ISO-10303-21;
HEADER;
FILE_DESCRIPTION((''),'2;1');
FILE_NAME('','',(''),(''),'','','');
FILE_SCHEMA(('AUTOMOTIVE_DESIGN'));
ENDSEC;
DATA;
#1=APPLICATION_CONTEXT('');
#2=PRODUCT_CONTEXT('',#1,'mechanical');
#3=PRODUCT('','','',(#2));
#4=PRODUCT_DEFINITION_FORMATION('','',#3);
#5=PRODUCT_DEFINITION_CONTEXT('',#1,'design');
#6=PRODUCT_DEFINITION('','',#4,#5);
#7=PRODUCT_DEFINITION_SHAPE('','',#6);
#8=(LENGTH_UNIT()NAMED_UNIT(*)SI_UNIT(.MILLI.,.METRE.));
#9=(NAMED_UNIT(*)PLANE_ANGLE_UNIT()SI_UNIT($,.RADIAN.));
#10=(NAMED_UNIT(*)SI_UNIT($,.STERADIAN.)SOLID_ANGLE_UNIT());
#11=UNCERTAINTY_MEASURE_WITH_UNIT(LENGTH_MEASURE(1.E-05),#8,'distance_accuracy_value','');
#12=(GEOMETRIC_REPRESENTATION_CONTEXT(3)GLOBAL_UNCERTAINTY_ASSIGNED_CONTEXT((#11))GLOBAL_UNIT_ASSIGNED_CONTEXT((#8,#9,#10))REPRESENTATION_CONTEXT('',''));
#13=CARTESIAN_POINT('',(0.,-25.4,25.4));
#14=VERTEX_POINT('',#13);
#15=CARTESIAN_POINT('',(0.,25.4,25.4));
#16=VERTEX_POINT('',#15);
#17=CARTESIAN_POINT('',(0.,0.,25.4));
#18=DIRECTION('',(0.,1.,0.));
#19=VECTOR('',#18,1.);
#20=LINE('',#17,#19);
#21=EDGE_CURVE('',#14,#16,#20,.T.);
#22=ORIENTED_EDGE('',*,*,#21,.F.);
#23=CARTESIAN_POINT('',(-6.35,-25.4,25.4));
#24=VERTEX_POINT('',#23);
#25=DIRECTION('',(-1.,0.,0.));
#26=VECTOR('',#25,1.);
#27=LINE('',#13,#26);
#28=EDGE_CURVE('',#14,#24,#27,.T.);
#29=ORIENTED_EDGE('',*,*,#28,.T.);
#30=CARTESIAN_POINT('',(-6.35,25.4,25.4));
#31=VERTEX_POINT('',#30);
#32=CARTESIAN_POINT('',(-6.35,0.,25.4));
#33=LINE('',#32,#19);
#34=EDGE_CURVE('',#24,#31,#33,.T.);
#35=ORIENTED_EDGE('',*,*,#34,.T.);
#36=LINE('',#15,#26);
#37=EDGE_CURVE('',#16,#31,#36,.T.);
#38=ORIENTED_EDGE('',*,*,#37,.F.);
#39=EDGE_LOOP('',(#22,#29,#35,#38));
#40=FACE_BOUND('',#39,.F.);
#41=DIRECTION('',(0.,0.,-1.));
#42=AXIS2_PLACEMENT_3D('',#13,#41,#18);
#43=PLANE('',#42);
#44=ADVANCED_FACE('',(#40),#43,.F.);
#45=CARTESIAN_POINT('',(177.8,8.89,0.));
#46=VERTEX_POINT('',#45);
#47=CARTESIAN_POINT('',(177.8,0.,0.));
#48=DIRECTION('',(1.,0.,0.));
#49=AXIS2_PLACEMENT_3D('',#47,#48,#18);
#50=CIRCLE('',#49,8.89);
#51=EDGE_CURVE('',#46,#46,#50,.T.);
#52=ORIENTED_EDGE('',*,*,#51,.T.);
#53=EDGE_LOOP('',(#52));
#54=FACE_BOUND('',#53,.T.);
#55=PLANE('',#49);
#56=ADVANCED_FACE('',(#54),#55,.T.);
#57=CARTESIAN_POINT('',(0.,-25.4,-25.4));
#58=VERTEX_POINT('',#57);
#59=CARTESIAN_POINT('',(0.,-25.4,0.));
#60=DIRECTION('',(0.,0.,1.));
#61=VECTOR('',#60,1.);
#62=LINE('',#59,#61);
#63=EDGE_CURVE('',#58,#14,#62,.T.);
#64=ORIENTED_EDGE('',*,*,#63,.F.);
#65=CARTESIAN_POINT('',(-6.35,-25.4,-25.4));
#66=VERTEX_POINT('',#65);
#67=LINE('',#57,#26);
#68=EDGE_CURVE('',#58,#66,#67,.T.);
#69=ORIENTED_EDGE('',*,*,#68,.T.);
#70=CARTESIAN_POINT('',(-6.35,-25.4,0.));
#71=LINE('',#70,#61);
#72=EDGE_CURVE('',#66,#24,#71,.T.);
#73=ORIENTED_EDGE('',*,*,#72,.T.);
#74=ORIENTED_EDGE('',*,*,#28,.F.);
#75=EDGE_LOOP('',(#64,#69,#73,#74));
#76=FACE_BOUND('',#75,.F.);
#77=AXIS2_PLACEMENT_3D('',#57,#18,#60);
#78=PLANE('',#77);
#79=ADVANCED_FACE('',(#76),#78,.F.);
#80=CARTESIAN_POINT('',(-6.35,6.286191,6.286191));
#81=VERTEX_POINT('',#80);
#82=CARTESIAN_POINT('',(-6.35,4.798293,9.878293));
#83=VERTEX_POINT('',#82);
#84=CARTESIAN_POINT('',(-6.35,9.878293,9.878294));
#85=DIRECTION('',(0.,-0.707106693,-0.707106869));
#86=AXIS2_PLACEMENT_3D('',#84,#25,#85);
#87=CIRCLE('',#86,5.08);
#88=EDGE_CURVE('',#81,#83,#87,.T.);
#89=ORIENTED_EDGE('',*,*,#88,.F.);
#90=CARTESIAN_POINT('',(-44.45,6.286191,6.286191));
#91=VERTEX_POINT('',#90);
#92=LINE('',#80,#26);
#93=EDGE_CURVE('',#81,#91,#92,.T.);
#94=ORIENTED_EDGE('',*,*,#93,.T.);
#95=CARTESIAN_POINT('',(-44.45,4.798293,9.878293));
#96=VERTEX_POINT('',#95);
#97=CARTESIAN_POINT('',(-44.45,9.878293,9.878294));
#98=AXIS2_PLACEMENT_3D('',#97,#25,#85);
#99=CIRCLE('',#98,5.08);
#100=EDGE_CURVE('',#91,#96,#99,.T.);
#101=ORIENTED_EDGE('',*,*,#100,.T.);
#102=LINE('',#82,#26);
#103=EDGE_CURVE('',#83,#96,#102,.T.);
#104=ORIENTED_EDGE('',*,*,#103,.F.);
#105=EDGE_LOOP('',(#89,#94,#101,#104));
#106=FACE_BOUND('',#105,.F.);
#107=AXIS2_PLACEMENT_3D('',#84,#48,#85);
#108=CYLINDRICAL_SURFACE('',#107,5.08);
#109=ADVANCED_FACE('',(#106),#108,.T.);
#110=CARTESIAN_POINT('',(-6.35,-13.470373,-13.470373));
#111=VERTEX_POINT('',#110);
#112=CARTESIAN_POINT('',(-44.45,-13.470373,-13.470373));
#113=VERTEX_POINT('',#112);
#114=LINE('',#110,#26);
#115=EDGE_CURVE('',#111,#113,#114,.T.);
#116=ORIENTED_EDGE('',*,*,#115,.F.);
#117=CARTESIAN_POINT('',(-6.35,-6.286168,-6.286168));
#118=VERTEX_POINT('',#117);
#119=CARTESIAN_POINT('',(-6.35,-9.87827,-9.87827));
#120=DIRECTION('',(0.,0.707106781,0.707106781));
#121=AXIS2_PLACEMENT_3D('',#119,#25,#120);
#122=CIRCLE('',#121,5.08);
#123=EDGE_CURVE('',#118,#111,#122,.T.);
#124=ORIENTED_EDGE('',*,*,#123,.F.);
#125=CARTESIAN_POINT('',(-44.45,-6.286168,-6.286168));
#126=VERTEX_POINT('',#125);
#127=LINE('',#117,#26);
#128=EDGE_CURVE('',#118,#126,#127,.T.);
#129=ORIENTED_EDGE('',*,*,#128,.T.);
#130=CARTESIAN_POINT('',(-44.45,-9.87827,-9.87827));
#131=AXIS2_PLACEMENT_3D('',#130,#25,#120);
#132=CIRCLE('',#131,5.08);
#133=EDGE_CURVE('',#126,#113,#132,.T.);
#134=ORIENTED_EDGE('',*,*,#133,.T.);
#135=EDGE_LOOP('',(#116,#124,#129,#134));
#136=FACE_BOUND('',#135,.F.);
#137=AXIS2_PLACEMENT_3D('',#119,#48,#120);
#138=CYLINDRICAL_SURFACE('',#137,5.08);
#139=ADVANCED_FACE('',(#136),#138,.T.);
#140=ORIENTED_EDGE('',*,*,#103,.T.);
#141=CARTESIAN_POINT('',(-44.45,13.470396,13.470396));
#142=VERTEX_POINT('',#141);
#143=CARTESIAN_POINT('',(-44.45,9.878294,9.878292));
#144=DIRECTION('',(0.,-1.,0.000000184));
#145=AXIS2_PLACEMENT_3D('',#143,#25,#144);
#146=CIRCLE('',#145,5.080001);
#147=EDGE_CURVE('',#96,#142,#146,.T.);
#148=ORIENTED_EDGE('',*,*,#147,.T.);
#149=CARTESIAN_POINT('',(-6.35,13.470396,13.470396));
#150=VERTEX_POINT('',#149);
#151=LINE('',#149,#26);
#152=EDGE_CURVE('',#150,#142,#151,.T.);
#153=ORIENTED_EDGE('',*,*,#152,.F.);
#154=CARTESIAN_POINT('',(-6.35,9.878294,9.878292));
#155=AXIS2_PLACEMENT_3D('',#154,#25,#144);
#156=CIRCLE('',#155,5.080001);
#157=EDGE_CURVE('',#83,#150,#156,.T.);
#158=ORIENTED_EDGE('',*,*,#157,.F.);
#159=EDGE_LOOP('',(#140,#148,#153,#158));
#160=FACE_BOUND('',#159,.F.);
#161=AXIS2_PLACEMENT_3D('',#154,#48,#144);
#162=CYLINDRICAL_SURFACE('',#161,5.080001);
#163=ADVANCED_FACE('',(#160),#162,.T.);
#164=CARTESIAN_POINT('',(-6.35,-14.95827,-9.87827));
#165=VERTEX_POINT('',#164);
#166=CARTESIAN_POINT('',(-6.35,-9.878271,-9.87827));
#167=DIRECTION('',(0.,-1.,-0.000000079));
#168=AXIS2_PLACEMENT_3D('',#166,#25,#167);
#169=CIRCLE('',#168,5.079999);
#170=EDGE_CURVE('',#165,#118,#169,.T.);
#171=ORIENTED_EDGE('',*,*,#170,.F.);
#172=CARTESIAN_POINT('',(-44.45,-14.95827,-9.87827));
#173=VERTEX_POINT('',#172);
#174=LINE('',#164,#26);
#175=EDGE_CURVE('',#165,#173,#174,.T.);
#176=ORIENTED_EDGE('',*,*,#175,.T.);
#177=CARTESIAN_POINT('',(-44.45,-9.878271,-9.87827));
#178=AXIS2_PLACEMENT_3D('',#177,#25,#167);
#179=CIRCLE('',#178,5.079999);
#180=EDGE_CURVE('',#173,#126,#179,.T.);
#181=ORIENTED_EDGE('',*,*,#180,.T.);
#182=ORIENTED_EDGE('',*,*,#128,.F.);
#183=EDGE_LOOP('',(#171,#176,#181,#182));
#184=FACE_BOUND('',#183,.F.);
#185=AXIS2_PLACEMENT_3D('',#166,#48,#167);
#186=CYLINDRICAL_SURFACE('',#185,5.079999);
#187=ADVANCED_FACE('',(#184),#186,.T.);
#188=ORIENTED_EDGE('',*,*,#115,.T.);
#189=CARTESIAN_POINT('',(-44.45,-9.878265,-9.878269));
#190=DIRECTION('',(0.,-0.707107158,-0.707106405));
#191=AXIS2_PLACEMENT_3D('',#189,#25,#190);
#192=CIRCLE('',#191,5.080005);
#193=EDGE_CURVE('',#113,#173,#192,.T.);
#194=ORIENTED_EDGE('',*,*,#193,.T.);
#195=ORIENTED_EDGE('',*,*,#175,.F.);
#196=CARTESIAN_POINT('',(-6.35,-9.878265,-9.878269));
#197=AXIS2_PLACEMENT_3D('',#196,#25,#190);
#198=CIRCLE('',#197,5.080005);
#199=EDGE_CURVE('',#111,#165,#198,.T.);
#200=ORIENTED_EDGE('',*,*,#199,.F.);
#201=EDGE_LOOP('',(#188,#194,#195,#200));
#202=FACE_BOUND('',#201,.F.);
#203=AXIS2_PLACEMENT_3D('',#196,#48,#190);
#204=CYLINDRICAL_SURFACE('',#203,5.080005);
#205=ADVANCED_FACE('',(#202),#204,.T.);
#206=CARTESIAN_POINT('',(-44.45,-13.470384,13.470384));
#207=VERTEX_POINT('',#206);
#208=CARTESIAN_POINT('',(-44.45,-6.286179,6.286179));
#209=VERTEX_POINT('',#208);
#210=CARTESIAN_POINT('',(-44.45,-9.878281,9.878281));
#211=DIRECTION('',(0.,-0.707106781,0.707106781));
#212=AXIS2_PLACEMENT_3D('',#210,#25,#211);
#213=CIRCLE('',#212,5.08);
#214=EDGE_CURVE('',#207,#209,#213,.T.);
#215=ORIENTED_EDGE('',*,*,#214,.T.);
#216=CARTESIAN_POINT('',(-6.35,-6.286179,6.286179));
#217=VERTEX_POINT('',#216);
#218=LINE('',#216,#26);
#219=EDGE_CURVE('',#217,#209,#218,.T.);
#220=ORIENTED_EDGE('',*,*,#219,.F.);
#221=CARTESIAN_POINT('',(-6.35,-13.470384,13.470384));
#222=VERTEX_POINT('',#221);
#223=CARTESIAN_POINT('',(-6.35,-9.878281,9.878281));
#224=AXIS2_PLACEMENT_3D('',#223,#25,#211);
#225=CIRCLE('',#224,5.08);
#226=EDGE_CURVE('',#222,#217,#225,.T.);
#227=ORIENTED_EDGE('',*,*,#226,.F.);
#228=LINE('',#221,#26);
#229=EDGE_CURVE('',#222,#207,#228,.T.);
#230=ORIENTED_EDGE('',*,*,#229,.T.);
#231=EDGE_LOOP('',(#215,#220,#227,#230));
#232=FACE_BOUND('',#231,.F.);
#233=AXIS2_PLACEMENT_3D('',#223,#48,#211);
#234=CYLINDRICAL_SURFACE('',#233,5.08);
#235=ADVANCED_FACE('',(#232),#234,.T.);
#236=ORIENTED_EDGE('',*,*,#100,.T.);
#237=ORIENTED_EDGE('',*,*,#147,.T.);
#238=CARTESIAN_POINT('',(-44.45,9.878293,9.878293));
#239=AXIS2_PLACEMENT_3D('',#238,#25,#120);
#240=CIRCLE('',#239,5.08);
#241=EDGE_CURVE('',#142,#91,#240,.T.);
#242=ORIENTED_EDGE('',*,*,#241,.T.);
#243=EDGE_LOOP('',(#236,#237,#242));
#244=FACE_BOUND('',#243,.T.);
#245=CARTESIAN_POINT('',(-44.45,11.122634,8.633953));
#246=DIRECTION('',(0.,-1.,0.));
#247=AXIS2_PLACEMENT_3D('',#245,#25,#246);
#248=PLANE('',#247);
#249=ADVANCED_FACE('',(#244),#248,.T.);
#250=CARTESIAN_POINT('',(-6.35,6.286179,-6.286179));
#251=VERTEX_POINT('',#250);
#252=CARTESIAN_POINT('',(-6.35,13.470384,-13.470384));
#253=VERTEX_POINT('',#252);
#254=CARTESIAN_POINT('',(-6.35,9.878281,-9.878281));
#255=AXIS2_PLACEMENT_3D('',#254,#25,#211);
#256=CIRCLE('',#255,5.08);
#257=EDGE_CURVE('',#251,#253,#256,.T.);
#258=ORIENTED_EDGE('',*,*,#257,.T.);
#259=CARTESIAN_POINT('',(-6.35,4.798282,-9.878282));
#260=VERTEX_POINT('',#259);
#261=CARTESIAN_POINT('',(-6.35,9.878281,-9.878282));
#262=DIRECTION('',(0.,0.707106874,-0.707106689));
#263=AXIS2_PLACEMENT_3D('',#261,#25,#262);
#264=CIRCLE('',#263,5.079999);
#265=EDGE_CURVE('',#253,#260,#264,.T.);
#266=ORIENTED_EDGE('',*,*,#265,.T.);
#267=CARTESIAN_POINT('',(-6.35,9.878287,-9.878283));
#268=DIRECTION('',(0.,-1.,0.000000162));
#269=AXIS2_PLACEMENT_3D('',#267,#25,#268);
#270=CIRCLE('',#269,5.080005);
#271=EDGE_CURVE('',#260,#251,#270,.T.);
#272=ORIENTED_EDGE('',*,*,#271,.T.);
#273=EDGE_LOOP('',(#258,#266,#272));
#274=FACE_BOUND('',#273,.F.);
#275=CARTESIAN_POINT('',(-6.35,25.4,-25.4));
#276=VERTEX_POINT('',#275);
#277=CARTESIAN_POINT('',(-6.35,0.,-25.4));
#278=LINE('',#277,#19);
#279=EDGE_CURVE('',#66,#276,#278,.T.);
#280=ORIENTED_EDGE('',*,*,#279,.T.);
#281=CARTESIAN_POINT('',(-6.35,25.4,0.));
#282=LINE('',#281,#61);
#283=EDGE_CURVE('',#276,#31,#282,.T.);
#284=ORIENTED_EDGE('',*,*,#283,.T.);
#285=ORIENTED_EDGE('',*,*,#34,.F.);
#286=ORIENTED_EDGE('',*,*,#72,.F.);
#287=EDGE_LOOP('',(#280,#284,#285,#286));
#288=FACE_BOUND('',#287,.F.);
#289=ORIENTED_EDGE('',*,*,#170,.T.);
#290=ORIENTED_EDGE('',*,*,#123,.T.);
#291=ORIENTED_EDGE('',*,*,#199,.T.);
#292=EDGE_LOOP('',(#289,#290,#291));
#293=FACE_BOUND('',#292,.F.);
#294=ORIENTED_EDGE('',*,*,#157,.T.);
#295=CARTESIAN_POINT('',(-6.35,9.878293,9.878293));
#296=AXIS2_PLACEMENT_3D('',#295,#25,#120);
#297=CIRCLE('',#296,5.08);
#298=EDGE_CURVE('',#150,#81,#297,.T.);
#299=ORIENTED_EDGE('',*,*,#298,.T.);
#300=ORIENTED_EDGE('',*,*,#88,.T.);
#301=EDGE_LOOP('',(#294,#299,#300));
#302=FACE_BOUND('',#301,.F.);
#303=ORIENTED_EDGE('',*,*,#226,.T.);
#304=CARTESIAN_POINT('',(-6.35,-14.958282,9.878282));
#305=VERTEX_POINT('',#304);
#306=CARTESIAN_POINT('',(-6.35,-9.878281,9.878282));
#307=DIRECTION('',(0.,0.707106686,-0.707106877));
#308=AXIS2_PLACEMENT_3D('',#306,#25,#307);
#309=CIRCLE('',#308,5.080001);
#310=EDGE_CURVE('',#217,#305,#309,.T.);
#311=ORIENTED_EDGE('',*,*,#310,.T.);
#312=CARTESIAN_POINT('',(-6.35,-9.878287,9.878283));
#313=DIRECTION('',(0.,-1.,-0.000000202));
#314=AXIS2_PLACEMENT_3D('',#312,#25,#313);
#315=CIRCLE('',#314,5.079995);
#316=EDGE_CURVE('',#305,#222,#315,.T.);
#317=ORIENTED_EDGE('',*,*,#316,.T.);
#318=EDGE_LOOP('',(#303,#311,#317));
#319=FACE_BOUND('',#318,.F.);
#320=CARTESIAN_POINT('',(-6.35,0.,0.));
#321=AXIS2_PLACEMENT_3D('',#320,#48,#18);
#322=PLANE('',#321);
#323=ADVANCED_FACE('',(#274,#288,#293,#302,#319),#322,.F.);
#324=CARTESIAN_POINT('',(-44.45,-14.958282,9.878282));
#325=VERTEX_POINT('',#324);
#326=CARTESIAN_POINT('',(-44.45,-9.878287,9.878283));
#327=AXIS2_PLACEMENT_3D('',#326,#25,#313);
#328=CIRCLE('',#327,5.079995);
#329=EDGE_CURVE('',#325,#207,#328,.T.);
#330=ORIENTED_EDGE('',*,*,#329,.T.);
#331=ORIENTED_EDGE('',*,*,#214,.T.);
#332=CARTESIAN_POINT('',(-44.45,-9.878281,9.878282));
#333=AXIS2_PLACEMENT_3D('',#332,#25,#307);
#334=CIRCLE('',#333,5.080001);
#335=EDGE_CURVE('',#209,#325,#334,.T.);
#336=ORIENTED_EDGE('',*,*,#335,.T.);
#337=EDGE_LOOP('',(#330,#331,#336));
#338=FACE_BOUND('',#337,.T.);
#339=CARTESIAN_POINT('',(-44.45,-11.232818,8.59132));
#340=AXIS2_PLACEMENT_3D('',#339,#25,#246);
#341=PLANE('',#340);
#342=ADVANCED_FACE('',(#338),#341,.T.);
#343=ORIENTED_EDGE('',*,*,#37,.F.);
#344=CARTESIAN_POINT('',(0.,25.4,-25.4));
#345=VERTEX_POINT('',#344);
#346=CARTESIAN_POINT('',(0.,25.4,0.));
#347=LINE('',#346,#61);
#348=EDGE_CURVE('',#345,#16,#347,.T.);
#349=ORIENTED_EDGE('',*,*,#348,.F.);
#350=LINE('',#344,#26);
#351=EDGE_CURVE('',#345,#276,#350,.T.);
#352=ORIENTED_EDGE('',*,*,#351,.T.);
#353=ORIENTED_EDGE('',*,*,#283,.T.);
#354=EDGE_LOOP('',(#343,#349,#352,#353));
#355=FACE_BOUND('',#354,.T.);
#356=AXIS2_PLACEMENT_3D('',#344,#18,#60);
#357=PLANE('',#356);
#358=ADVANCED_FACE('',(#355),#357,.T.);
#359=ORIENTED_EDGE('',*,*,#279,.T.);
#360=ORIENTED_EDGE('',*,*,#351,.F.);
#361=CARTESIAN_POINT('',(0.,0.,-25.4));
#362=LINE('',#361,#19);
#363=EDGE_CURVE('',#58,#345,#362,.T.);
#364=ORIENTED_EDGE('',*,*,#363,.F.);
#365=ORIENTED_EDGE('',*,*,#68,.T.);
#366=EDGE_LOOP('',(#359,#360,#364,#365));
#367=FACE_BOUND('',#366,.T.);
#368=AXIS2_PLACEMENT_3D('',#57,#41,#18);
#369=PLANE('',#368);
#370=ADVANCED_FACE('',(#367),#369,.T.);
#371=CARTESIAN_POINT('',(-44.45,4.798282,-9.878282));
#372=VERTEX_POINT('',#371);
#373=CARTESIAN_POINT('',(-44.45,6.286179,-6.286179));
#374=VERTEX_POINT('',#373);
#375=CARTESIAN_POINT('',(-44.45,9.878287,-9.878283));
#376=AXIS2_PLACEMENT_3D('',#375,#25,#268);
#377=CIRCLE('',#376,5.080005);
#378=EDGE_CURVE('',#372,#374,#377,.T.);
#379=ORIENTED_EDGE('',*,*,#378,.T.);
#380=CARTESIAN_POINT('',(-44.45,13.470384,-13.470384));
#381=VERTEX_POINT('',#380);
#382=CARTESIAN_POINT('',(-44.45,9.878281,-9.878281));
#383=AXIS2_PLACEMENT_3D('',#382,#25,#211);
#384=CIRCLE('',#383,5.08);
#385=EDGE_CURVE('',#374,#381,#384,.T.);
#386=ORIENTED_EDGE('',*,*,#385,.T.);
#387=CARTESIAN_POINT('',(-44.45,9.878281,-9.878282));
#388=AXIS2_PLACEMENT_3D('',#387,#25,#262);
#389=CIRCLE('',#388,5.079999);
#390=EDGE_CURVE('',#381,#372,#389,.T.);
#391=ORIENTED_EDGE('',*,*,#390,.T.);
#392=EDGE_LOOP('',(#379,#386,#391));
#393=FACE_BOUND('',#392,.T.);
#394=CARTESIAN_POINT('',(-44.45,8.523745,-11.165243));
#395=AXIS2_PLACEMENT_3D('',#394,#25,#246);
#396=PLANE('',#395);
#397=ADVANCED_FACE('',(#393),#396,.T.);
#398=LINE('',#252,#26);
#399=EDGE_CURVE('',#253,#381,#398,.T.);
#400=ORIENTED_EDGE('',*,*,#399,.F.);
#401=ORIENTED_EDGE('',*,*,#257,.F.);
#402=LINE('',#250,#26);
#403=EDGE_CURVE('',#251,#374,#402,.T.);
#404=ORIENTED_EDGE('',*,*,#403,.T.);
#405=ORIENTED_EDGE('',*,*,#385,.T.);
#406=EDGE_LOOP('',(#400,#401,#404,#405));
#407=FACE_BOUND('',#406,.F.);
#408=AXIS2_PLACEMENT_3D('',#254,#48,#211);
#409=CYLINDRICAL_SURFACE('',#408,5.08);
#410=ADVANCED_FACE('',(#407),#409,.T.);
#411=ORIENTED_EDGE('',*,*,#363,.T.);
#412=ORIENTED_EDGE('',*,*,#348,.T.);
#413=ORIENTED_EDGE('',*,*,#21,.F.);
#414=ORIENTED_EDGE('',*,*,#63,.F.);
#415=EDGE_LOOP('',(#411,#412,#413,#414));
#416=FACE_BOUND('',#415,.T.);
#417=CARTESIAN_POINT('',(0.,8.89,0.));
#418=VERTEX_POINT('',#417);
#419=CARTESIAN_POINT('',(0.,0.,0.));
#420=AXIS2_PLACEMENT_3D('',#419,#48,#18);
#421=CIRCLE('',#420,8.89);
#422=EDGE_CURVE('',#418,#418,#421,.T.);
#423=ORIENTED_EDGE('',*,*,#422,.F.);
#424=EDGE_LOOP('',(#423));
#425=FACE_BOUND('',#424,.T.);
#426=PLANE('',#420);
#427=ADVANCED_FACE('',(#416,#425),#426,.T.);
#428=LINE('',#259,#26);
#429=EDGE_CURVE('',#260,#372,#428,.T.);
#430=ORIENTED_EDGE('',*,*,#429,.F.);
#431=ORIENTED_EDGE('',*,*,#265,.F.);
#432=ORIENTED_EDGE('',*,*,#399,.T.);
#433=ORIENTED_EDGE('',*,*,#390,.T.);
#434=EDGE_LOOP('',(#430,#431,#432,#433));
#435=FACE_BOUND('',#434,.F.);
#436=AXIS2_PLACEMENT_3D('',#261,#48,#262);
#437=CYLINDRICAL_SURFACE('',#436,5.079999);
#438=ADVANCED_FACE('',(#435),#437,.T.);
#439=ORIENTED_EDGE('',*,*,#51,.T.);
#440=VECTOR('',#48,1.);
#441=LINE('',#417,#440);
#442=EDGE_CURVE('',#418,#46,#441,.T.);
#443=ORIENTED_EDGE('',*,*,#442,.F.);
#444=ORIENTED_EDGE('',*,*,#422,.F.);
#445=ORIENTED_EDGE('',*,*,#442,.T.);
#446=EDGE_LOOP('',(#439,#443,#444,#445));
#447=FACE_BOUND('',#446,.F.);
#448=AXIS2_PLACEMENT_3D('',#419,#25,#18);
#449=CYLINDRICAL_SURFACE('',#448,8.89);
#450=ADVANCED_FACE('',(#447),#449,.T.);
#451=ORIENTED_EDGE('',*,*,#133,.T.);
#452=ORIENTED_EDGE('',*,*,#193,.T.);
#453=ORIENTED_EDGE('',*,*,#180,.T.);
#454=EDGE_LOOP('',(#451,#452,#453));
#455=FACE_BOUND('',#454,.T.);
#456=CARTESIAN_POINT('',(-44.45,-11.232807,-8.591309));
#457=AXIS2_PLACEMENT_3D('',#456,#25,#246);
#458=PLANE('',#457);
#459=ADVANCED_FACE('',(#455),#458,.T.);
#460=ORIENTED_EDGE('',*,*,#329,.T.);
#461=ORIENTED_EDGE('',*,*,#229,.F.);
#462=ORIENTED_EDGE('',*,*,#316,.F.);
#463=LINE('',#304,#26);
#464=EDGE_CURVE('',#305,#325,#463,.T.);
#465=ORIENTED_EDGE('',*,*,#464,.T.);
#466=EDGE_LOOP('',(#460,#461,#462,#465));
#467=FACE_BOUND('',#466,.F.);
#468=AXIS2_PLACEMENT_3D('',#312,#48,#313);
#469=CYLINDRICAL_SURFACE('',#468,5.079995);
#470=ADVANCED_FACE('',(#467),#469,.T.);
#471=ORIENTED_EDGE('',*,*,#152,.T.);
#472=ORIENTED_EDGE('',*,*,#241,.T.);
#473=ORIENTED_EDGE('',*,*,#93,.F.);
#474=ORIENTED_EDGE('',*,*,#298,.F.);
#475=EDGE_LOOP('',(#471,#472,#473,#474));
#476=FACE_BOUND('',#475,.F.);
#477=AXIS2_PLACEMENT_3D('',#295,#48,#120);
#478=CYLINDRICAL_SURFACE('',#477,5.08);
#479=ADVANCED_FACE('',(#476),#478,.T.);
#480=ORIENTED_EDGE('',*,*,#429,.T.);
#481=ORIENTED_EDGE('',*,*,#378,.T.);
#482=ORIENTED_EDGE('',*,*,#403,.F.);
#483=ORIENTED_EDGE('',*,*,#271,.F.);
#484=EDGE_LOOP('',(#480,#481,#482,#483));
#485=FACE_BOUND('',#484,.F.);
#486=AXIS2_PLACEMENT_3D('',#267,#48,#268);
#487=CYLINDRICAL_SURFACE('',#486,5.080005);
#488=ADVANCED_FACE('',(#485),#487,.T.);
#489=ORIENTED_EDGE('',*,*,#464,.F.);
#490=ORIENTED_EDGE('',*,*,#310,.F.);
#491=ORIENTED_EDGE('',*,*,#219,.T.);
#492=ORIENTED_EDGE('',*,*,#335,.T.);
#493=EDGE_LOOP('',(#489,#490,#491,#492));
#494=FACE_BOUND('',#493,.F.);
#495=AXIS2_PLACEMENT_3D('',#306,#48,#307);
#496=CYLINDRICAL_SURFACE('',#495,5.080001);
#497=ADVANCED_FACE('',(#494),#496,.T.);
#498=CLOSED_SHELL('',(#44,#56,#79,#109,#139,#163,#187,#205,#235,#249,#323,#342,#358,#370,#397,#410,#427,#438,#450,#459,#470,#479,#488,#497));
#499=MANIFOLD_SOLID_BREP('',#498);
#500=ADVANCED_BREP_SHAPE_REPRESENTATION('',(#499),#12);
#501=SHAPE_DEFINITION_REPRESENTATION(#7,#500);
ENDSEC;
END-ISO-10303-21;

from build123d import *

# Parameters (mm, degrees)
F0_R     = 8.89
F1_DEPTH = 177.8
F2_W     = 50.8
F2_H     = 50.8
F3_DEPTH = 6.35
F5_DEPTH = 38.1


with BuildPart() as f1:
    # F0 (on Right) → F1 (new body)
    with BuildSketch(Plane.YZ):
        Circle(F0_R)
    extrude(amount=F1_DEPTH)

    # F2 (on Right) → F3 (join)
    with BuildSketch(Plane.YZ):
        Rectangle(F2_W, F2_H)
    extrude(amount=-F3_DEPTH)

    # F4 (on face) → F5 (join)
    with BuildSketch(Plane(origin=(-6.35, 0, 0), x_dir=(0, -1, 0), z_dir=(-1, 0, 0))):
        with BuildLine():
            ThreePointArc((6.286179, 6.286179), (11.822314, 5.184974), (14.958282, 9.878282))
            ThreePointArc((14.958282, 9.878282), (14.57159, 11.822314), (13.470384, 13.470384))
            Line((13.470384, 13.470384), (6.286179, 6.286179))
        make_face()
        with BuildLine():
            ThreePointArc((14.95827, -9.87827), (11.822302, -5.184962), (6.286168, -6.286168))
            Line((6.286168, -6.286168), (13.470373, -13.470373))
            ThreePointArc((13.470373, -13.470373), (14.571578, -11.822302), (14.95827, -9.87827))
        make_face()
        with BuildLine():
            Line((13.470373, -13.470373), (6.286168, -6.286168))
            ThreePointArc((6.286168, -6.286168), (6.286168, -13.470373), (13.470373, -13.470373))
        make_face()
        with BuildLine():
            ThreePointArc((-4.798282, -9.878282), (-5.184974, -7.93425), (-6.286179, -6.286179))
            Line((-6.286179, -6.286179), (-13.470384, -13.470384))
            ThreePointArc((-13.470384, -13.470384), (-7.93425, -14.57159), (-4.798282, -9.878282))
        make_face()
        with BuildLine():
            Line((-13.470384, -13.470384), (-6.286179, -6.286179))
            ThreePointArc((-6.286179, -6.286179), (-13.470384, -6.286179), (-13.470384, -13.470384))
        make_face()
        with BuildLine():
            ThreePointArc((-13.470396, 13.470396), (-13.470396, 6.286191), (-6.286191, 6.286191))
            Line((-6.286191, 6.286191), (-13.470396, 13.470396))
        make_face()
        with BuildLine():
            Line((-13.470396, 13.470396), (-6.286191, 6.286191))
            ThreePointArc((-6.286191, 6.286191), (-5.184985, 7.934262), (-4.798293, 9.878293))
            ThreePointArc((-4.798293, 9.878293), (-7.934262, 14.571601), (-13.470396, 13.470396))
        make_face()
        with BuildLine():
            Line((6.286179, 6.286179), (13.470384, 13.470384))
            ThreePointArc((13.470384, 13.470384), (6.286179, 13.470384), (6.286179, 6.286179))
        make_face()
    extrude(amount=F5_DEPTH)


solid = f1.part
